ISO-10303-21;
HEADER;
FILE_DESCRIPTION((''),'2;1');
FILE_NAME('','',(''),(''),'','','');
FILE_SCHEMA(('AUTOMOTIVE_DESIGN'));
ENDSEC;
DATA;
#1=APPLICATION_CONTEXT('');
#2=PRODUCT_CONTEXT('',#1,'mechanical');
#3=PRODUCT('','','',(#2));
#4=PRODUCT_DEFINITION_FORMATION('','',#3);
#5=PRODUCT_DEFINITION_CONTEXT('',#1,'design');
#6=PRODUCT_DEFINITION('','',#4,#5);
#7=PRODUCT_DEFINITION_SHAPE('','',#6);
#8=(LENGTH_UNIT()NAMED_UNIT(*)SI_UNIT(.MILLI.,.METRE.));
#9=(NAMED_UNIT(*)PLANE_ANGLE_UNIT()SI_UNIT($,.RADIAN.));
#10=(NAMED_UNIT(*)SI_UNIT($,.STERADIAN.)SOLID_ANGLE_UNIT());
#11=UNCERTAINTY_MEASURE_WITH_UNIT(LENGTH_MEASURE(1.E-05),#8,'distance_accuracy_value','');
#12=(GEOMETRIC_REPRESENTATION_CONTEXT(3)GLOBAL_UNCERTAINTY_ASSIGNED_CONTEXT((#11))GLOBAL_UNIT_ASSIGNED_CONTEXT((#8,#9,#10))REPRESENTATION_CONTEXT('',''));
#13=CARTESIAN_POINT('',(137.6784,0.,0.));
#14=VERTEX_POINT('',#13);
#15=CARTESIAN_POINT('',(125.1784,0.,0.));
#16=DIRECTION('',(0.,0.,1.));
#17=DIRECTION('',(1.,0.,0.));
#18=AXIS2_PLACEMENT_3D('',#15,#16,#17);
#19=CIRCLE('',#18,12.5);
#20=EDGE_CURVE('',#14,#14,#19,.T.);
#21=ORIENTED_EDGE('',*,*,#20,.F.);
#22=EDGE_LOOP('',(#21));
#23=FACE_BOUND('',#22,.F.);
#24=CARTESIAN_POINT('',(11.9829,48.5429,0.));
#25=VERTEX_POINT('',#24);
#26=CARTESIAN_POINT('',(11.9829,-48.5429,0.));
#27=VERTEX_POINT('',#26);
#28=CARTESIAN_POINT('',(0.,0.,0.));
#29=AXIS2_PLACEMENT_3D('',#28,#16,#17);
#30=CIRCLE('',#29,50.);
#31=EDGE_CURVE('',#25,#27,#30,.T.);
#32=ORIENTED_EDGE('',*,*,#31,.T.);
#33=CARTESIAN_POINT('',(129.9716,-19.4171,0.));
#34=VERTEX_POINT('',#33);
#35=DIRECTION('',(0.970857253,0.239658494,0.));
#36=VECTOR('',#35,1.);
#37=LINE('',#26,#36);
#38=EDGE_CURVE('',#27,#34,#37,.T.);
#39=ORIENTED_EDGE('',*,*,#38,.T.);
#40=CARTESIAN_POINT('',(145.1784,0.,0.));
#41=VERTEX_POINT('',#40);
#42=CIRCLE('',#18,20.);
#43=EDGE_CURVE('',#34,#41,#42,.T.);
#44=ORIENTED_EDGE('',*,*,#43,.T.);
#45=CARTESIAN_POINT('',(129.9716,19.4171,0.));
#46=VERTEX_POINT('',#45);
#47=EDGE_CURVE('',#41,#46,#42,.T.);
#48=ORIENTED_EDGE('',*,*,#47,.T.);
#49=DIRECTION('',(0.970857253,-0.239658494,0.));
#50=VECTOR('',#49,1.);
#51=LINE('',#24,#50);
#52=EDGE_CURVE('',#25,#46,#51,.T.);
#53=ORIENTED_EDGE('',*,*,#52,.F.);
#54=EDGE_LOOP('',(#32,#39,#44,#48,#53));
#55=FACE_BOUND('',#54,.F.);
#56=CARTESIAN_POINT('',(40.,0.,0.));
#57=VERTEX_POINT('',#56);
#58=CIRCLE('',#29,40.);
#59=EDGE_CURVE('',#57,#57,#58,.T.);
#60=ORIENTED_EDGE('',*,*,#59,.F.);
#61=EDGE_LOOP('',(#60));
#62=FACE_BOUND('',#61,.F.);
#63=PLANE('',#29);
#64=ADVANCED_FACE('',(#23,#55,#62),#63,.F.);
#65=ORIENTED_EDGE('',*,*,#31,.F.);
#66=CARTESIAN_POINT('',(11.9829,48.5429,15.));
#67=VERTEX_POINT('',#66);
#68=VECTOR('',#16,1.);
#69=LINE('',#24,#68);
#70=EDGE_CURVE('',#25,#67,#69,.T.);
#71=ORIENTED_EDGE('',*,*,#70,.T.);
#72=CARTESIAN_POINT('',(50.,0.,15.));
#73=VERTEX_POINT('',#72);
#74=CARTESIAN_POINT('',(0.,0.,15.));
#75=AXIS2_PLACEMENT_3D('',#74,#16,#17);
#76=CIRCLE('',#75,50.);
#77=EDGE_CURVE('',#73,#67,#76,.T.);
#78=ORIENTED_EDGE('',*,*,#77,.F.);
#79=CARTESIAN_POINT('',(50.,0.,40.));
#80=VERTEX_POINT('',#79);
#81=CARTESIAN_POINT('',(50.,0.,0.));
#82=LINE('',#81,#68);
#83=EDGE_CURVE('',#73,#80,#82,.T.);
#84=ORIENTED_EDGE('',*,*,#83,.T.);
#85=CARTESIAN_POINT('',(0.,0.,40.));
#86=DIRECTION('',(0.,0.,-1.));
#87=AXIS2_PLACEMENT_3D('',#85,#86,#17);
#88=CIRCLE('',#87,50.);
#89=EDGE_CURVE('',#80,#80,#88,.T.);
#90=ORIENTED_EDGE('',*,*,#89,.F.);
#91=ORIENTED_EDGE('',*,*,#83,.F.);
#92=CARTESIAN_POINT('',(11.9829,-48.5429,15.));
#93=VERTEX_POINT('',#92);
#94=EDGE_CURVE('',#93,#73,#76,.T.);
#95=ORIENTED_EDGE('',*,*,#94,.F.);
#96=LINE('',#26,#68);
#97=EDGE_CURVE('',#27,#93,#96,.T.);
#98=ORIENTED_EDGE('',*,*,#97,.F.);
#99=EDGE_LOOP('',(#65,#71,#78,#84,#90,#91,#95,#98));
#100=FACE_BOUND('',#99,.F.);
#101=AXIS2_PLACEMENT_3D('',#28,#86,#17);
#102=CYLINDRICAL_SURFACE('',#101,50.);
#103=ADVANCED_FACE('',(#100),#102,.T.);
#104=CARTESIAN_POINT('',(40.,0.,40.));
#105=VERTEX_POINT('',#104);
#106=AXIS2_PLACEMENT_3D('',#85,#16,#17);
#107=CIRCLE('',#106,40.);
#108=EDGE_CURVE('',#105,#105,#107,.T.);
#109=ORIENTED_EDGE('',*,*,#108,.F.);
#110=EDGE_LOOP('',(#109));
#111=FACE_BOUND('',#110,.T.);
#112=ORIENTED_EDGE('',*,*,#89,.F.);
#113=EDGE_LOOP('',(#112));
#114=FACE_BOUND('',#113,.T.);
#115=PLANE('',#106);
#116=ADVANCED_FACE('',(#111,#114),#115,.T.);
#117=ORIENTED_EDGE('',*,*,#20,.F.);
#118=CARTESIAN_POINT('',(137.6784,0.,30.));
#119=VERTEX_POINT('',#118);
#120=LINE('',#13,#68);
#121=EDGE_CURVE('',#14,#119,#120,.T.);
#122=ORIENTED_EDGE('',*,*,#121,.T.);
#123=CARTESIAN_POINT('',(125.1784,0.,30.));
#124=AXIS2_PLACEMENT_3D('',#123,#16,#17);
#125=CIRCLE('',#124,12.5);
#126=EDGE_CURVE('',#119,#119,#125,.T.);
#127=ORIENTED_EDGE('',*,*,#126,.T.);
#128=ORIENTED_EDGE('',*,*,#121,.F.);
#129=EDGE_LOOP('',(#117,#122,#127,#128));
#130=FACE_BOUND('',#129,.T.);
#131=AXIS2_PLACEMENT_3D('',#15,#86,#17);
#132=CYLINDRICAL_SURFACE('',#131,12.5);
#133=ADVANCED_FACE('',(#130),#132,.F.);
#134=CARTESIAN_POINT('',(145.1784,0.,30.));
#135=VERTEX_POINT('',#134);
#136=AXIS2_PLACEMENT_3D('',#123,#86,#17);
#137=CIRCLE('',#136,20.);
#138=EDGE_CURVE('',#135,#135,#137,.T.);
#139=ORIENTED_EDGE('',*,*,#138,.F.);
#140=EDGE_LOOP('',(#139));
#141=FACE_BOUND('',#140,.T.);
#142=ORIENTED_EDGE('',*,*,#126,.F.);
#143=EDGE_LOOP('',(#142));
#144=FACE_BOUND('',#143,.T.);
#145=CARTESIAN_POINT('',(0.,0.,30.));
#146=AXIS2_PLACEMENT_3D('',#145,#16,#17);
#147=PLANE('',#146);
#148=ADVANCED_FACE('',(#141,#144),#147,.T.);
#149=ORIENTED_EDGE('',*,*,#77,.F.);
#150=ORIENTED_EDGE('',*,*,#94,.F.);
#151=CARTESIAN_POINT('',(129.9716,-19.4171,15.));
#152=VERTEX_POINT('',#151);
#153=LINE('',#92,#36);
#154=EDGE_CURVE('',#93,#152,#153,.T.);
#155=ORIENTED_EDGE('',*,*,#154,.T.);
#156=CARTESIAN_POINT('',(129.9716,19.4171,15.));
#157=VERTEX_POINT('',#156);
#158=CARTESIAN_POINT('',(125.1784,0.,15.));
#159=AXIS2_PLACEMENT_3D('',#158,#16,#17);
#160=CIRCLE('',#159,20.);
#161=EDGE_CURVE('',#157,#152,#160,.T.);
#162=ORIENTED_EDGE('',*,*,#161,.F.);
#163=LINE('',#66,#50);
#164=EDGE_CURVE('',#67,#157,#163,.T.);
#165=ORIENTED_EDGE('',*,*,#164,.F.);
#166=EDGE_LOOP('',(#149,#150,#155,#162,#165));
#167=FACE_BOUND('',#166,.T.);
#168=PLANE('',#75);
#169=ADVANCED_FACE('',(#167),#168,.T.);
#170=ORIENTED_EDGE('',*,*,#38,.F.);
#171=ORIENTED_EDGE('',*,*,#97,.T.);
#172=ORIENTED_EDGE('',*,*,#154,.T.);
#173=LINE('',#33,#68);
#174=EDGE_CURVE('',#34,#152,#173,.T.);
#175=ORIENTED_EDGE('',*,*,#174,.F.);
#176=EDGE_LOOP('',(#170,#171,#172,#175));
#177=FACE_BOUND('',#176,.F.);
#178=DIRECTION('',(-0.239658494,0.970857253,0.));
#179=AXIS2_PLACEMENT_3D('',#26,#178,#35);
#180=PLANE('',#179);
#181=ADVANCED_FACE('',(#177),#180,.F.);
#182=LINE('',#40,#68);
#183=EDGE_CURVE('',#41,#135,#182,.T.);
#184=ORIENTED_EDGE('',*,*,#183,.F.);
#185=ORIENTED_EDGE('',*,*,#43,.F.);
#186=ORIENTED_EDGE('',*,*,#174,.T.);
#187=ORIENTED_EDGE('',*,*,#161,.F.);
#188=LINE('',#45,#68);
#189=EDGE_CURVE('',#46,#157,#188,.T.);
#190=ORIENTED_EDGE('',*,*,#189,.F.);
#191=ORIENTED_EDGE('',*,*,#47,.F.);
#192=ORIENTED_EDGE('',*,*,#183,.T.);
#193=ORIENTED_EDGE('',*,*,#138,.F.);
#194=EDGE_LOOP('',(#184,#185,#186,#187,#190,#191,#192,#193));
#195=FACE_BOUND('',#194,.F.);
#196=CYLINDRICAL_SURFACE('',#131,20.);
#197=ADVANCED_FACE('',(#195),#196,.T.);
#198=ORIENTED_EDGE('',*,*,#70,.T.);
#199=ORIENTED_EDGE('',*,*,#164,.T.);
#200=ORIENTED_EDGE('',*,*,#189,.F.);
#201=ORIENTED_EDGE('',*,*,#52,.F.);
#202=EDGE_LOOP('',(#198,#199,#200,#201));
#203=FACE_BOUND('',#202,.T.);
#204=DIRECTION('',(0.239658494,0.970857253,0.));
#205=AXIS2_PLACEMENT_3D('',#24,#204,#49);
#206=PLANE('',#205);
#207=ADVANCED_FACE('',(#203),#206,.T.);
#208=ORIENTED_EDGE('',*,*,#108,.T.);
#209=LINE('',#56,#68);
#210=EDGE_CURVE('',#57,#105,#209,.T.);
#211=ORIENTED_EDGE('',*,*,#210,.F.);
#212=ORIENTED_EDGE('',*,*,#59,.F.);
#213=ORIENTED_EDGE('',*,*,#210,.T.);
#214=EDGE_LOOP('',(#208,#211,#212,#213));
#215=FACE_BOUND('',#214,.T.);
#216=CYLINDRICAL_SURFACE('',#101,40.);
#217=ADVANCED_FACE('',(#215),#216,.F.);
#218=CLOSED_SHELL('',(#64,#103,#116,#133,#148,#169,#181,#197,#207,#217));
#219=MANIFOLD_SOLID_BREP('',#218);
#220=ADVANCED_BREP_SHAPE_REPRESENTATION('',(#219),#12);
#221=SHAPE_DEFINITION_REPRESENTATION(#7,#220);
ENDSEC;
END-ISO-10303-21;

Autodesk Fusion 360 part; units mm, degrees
sketch "스케치1" plane through (0, 0, 0) normal (0, 0, 1) x (1, 0, 0)
  circle A0 centre (0, 0) radius 50
  circle A1 centre (125.1784, 0) radius 20
  line L0 (11.9829, 48.5429) -> (129.9716, 19.4171)
  line L1 (11.9829, -48.5429) -> (129.9716, -19.4171)
  circle A2 centre (0, 0) radius 40
  circle A3 centre (125.1784, 0) radius 12.5
  dimension "d1" = 100
  dimension "d2" = 40
  dimension "d3" = 80
  dimension "d4" = 25
extrude "돌출4" add sketch "스케치1" along normal blind 40 contours A0
extrude "돌출5" add sketch "스케치1" along normal blind 15 contours A0 A1 L0 L1
extrude "돌출6" add sketch "스케치1" along normal blind 30 contours A1
